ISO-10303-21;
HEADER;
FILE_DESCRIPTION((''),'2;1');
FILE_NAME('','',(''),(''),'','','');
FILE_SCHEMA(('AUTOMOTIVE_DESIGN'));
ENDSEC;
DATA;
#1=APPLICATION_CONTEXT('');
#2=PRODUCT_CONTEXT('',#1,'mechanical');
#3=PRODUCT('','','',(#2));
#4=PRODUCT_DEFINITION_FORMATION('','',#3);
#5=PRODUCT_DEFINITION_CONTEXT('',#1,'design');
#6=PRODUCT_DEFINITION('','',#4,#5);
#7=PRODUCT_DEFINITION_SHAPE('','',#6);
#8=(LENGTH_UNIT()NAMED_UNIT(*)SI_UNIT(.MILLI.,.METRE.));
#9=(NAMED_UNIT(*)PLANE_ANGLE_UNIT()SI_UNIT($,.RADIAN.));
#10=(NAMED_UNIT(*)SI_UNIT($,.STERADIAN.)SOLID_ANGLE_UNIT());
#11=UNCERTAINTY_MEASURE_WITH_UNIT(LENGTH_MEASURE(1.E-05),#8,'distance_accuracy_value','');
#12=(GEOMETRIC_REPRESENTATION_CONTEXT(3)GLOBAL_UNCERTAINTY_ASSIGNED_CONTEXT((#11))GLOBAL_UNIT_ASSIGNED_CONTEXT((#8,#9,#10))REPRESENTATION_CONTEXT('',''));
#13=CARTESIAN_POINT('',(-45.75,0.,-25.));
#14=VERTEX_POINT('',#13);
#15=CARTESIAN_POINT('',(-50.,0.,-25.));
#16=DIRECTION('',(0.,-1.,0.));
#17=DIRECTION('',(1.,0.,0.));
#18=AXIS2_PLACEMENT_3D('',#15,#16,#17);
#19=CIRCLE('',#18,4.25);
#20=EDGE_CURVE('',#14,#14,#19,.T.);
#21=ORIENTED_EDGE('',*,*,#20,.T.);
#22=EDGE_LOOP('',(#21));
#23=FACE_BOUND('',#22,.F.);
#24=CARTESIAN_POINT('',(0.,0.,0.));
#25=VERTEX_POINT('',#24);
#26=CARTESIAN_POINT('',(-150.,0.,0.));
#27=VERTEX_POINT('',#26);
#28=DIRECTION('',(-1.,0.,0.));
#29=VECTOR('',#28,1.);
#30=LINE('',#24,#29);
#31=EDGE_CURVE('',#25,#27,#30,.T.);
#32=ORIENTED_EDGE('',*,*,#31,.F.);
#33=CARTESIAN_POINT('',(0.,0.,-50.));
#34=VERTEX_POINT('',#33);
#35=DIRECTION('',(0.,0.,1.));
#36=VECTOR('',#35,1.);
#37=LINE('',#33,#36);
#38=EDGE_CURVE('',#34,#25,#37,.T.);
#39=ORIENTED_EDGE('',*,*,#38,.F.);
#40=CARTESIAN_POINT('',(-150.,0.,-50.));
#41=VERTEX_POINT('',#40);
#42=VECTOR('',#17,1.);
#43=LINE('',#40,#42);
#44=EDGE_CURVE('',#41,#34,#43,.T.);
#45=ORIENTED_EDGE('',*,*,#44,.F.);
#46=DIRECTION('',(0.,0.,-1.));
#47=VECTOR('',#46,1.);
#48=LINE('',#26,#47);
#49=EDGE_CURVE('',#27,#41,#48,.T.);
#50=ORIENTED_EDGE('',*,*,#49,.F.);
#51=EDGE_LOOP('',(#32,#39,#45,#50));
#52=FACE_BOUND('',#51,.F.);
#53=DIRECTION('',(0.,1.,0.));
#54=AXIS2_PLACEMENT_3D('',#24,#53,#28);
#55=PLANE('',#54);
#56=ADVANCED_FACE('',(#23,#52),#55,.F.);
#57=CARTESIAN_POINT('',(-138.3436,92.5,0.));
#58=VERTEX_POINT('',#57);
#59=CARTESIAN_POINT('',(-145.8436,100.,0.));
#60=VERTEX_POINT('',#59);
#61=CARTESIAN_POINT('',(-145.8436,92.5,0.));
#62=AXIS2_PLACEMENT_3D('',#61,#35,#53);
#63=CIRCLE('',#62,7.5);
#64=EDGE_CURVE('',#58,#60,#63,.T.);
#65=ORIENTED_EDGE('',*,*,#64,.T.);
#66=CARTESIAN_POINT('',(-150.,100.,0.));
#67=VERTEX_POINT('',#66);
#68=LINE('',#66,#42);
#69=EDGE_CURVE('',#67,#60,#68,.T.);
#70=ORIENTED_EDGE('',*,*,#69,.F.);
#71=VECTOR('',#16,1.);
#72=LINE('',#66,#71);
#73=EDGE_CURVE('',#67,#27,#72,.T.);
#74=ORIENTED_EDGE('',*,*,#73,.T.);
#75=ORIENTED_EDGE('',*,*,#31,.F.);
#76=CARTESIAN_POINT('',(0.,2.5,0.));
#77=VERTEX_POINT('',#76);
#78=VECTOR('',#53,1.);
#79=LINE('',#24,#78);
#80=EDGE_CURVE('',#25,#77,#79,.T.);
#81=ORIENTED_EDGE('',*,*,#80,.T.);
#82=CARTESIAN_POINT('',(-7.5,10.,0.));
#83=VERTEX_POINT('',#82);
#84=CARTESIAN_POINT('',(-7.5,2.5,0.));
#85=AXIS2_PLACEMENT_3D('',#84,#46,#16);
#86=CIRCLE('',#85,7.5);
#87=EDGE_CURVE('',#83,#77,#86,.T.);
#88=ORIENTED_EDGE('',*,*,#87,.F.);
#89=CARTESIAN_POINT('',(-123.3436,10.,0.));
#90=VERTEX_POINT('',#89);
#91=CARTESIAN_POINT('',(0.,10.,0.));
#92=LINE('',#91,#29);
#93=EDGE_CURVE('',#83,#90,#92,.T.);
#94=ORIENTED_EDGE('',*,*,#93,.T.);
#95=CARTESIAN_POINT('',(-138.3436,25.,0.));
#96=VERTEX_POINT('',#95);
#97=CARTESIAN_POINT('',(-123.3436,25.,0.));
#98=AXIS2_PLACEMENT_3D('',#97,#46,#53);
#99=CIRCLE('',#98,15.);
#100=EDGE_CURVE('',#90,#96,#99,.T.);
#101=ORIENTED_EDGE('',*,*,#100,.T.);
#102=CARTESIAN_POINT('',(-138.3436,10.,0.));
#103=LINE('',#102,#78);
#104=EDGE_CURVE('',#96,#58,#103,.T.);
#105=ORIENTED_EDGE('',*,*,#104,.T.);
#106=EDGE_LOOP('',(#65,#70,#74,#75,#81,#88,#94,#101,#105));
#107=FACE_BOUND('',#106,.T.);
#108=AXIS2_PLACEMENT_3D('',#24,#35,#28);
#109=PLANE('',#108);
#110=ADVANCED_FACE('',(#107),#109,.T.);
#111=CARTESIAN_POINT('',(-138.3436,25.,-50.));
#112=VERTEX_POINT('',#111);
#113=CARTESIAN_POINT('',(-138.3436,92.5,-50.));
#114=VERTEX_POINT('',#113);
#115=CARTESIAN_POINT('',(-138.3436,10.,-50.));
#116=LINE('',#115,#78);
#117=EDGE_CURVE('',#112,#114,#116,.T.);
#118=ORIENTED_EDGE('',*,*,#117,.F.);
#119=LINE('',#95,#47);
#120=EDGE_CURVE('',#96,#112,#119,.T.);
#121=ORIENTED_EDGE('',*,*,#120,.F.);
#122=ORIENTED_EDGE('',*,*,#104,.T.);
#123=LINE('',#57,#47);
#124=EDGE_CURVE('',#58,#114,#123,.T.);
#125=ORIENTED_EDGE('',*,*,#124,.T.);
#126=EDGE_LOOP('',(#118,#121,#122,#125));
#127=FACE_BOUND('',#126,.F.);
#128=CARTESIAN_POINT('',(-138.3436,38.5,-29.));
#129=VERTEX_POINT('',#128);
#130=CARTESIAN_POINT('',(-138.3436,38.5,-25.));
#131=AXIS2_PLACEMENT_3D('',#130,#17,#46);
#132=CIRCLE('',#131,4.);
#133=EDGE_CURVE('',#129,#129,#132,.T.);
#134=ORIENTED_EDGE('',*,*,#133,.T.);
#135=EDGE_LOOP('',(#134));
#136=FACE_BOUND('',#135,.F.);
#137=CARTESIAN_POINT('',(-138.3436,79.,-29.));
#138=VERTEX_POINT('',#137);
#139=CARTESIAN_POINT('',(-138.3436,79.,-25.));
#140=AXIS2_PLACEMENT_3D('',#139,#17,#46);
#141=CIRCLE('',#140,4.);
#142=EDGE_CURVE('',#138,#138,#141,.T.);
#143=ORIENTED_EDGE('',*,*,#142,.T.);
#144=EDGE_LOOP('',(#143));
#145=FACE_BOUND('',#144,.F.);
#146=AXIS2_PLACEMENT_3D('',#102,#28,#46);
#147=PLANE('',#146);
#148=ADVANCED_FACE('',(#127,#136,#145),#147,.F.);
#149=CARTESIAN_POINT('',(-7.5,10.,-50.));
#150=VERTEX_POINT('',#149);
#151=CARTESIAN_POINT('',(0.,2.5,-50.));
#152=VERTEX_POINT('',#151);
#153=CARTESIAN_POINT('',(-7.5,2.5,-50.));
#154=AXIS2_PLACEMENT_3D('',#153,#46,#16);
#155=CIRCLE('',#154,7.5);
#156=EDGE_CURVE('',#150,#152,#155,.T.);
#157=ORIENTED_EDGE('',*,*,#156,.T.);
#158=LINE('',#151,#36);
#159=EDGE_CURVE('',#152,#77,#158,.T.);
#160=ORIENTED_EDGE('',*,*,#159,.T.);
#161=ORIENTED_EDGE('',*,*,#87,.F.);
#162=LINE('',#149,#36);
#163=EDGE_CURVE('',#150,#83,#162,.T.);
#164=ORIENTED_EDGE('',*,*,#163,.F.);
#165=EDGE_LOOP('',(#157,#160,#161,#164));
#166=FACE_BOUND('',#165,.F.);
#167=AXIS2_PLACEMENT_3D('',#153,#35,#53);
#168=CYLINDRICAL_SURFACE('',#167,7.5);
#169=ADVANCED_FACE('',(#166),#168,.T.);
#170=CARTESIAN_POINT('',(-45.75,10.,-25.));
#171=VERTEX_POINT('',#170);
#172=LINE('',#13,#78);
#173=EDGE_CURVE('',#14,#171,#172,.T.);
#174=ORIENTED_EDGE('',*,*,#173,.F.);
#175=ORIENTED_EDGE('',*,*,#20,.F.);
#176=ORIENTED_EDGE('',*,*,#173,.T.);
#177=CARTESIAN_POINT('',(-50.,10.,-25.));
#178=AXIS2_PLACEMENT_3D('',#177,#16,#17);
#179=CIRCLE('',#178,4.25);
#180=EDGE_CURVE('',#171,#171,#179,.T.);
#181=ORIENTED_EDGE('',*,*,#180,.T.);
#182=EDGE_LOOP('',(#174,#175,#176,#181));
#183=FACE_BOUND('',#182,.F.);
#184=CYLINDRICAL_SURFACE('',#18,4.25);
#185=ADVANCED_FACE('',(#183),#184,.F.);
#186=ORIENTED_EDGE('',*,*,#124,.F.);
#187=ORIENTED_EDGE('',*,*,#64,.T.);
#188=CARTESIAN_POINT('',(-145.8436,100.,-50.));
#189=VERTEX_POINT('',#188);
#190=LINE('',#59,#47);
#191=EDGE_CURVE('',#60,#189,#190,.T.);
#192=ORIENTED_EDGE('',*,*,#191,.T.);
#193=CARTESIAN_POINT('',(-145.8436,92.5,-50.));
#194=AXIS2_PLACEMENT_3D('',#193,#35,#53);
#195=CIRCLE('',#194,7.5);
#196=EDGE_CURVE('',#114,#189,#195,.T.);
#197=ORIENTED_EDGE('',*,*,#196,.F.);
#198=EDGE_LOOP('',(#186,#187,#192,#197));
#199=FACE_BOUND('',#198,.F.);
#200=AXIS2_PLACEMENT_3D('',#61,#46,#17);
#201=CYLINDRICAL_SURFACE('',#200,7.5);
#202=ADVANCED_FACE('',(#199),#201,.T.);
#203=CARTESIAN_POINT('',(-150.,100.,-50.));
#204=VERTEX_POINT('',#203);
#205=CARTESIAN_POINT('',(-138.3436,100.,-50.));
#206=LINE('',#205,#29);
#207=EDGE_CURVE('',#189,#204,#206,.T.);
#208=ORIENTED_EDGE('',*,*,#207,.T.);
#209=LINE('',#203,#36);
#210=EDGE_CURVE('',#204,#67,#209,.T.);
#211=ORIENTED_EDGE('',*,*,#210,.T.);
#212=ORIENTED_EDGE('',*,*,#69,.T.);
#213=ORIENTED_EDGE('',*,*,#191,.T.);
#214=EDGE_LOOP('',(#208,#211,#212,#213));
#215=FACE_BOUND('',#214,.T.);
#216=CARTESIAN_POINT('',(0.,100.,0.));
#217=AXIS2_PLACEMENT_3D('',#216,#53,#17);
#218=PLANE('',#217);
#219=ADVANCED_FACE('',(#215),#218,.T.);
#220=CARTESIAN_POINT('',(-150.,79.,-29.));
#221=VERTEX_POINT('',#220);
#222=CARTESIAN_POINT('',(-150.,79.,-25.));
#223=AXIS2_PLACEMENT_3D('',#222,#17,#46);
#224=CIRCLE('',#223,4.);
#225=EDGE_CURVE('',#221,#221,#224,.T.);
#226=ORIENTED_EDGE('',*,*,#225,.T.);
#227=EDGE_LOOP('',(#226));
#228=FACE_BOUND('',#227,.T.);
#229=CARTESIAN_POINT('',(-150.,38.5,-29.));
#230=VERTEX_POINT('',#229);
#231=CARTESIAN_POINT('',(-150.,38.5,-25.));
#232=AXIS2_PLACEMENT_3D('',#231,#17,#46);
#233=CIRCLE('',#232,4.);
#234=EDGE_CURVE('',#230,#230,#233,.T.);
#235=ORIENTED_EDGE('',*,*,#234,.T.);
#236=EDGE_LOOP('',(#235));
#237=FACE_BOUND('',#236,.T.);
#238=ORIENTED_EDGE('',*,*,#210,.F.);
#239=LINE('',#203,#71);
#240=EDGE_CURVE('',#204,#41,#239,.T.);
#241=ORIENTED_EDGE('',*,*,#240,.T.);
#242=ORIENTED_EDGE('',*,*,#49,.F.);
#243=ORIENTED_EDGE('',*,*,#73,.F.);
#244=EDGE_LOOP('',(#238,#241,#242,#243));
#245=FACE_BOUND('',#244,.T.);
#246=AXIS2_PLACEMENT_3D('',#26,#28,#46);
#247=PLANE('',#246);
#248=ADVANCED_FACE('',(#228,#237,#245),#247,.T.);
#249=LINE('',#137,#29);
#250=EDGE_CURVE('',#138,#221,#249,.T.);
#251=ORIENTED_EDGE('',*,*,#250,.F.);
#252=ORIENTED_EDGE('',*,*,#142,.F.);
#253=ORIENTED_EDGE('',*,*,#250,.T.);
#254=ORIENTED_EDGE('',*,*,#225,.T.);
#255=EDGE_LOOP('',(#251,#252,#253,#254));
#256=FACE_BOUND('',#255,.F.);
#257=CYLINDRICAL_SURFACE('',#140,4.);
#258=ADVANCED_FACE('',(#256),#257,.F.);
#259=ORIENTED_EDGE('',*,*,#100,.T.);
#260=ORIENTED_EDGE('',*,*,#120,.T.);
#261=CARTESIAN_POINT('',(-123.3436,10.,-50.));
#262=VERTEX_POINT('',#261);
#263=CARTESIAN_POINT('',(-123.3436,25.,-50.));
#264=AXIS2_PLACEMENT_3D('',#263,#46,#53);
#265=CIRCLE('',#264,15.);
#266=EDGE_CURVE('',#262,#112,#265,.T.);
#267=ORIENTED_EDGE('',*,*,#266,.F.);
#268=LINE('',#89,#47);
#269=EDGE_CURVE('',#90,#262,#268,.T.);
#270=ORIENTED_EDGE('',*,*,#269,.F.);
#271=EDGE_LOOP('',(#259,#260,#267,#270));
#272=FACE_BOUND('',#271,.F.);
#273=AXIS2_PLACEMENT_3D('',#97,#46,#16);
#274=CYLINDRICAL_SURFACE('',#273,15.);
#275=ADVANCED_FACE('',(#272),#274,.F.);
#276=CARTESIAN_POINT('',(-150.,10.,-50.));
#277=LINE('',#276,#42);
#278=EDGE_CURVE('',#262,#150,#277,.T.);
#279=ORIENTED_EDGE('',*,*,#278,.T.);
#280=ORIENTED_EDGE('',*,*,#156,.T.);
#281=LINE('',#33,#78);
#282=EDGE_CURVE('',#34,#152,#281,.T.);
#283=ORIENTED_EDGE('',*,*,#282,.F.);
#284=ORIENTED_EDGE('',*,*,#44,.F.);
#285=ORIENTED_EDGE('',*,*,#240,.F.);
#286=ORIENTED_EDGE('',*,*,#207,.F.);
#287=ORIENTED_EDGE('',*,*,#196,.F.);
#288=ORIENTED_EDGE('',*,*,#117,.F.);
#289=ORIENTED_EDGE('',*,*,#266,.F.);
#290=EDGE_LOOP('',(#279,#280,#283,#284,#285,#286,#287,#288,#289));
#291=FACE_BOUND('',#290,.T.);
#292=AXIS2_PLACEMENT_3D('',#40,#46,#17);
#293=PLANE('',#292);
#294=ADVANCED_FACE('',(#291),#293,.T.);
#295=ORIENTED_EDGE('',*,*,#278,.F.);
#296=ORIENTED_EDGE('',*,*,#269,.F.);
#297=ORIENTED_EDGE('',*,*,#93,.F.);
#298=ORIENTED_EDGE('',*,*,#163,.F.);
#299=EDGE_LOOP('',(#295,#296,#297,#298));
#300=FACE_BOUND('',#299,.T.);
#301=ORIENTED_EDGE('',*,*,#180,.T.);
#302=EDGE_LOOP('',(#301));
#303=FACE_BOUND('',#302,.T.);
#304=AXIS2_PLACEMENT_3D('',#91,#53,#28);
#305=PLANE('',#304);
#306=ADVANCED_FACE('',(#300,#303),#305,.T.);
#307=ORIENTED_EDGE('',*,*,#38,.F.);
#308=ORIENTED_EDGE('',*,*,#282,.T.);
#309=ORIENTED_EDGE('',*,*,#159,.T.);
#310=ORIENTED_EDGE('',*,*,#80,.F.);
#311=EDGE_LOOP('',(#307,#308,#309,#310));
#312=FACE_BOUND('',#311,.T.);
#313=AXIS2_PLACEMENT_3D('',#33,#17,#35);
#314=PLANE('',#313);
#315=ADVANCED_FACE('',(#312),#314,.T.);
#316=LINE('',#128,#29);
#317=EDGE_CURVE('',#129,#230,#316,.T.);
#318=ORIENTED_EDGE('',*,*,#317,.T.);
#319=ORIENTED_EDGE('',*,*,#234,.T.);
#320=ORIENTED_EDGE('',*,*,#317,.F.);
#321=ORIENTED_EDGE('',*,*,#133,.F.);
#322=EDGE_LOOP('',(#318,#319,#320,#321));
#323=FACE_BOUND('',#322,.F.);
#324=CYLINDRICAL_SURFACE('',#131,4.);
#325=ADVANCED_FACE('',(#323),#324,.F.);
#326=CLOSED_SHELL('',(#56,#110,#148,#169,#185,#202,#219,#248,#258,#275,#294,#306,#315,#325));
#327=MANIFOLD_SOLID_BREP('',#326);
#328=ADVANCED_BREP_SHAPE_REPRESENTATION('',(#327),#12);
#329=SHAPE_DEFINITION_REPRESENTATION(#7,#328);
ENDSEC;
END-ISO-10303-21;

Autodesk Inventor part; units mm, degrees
ref_plane "YZ Plane" through (0, 0, 0) normal (1, 0, 0) x (0, 1, 0)
ref_plane "XZ Plane" through (0, 0, 0) normal (0, 1, 0) x (-1, 0, 0)
ref_plane "XY Plane" through (0, 0, 0) normal (0, 0, 1) x (1, 0, 0)
sketch "Sketch1" plane through (0, 0, 0) normal (0, 1, 0) x (-1, 0, 0)
  line L0 (0, 0) -> (150, 0)
  line L1 (150, 0) -> (150, -50)
  line L2 (150, -50) -> (0, -50)
  line L3 (0, -50) -> (0, 0)
  dimension "d0" = 150
  dimension "d1" = 50
extrude "Extrusion1" add sketch "Sketch1" along normal blind 10
sketch "Sketch2" plane through (0, 10, 0) normal (0, 1, 0) x (1, 0, 0)
  line L0 (-150, 50) -> (-150, 0) projected
  line L1 (-150, 0) -> (-138.3436, 0)
  line L2 (-138.3436, 0) -> (-138.3436, 50)
  line L3 (-138.3436, 50) -> (-150, 50)
  line L4 (-150, 50) -> (-150, 0)
  point P0 (0, 0)
extrude "Extrusion2" add sketch "Sketch2" along normal blind 90
fillet "Fillet1" radius 15 1 edges at (-138.3436, 10, -25)
fillet "Fillet2" radius 7.5 2 edges at (-138.3436, 100, -25) (0, 10, -25)
sketch "Sketch3" plane through (-138.3436, 25, 0) normal (1, 0, 0) x (0, 0, -1)
  line L0 (0, 0) -> (0, 67.5) projected
  line L1 (50, 0) -> (50, 67.5) projected
  line L2 (0, 67.5) -> (50, 67.5) projected
  line L3 (0, 0) -> (0, 67.5) projected
  line L4 (50, 0) -> (0, 0) projected
  line L5 (50, 0) -> (50, 67.5) projected
  circle A0 centre (25, 54) radius 4
  circle A1 centre (25, 13.5) radius 4
  point P0 (0, -25)
  dimension "d8" = 8
  dimension "d9" = 8
  dimension "d10" = 67.5
  dimension "d11" = 50
  dimension "d12" = 25
  dimension "d13" = 13.5
  dimension "d14" = 13.5
  dimension "d17" = 40.5
extrude "Extrusion3" cut sketch "Sketch3" against normal up to next contours A0 | A1
sketch "Sketch4" plane through (0, 0, 0) normal (0, -1, 0) x (1, 0, 0)
  line L0 (-150, 0) -> (-150, -50) projected
  circle A0 centre (-50, -25) radius 4.25
  line L1 (0, 0) -> (-150, 0) projected
  dimension "d18" = 8.5
  dimension "d19" = 100
  dimension "d20" = 50
  dimension "d21" = 25
extrude "Extrusion4" cut sketch "Sketch4" against normal blind 10
equation "\"d12\" = 0.5 * d11"
equation "\"d13\" = 0.2 * d10"
equation "\"d14\" = d13"
equation "\"d21\" = 0.5 * d20"
properties part number "L_ShapedBracket_100x200x10_ozce"
